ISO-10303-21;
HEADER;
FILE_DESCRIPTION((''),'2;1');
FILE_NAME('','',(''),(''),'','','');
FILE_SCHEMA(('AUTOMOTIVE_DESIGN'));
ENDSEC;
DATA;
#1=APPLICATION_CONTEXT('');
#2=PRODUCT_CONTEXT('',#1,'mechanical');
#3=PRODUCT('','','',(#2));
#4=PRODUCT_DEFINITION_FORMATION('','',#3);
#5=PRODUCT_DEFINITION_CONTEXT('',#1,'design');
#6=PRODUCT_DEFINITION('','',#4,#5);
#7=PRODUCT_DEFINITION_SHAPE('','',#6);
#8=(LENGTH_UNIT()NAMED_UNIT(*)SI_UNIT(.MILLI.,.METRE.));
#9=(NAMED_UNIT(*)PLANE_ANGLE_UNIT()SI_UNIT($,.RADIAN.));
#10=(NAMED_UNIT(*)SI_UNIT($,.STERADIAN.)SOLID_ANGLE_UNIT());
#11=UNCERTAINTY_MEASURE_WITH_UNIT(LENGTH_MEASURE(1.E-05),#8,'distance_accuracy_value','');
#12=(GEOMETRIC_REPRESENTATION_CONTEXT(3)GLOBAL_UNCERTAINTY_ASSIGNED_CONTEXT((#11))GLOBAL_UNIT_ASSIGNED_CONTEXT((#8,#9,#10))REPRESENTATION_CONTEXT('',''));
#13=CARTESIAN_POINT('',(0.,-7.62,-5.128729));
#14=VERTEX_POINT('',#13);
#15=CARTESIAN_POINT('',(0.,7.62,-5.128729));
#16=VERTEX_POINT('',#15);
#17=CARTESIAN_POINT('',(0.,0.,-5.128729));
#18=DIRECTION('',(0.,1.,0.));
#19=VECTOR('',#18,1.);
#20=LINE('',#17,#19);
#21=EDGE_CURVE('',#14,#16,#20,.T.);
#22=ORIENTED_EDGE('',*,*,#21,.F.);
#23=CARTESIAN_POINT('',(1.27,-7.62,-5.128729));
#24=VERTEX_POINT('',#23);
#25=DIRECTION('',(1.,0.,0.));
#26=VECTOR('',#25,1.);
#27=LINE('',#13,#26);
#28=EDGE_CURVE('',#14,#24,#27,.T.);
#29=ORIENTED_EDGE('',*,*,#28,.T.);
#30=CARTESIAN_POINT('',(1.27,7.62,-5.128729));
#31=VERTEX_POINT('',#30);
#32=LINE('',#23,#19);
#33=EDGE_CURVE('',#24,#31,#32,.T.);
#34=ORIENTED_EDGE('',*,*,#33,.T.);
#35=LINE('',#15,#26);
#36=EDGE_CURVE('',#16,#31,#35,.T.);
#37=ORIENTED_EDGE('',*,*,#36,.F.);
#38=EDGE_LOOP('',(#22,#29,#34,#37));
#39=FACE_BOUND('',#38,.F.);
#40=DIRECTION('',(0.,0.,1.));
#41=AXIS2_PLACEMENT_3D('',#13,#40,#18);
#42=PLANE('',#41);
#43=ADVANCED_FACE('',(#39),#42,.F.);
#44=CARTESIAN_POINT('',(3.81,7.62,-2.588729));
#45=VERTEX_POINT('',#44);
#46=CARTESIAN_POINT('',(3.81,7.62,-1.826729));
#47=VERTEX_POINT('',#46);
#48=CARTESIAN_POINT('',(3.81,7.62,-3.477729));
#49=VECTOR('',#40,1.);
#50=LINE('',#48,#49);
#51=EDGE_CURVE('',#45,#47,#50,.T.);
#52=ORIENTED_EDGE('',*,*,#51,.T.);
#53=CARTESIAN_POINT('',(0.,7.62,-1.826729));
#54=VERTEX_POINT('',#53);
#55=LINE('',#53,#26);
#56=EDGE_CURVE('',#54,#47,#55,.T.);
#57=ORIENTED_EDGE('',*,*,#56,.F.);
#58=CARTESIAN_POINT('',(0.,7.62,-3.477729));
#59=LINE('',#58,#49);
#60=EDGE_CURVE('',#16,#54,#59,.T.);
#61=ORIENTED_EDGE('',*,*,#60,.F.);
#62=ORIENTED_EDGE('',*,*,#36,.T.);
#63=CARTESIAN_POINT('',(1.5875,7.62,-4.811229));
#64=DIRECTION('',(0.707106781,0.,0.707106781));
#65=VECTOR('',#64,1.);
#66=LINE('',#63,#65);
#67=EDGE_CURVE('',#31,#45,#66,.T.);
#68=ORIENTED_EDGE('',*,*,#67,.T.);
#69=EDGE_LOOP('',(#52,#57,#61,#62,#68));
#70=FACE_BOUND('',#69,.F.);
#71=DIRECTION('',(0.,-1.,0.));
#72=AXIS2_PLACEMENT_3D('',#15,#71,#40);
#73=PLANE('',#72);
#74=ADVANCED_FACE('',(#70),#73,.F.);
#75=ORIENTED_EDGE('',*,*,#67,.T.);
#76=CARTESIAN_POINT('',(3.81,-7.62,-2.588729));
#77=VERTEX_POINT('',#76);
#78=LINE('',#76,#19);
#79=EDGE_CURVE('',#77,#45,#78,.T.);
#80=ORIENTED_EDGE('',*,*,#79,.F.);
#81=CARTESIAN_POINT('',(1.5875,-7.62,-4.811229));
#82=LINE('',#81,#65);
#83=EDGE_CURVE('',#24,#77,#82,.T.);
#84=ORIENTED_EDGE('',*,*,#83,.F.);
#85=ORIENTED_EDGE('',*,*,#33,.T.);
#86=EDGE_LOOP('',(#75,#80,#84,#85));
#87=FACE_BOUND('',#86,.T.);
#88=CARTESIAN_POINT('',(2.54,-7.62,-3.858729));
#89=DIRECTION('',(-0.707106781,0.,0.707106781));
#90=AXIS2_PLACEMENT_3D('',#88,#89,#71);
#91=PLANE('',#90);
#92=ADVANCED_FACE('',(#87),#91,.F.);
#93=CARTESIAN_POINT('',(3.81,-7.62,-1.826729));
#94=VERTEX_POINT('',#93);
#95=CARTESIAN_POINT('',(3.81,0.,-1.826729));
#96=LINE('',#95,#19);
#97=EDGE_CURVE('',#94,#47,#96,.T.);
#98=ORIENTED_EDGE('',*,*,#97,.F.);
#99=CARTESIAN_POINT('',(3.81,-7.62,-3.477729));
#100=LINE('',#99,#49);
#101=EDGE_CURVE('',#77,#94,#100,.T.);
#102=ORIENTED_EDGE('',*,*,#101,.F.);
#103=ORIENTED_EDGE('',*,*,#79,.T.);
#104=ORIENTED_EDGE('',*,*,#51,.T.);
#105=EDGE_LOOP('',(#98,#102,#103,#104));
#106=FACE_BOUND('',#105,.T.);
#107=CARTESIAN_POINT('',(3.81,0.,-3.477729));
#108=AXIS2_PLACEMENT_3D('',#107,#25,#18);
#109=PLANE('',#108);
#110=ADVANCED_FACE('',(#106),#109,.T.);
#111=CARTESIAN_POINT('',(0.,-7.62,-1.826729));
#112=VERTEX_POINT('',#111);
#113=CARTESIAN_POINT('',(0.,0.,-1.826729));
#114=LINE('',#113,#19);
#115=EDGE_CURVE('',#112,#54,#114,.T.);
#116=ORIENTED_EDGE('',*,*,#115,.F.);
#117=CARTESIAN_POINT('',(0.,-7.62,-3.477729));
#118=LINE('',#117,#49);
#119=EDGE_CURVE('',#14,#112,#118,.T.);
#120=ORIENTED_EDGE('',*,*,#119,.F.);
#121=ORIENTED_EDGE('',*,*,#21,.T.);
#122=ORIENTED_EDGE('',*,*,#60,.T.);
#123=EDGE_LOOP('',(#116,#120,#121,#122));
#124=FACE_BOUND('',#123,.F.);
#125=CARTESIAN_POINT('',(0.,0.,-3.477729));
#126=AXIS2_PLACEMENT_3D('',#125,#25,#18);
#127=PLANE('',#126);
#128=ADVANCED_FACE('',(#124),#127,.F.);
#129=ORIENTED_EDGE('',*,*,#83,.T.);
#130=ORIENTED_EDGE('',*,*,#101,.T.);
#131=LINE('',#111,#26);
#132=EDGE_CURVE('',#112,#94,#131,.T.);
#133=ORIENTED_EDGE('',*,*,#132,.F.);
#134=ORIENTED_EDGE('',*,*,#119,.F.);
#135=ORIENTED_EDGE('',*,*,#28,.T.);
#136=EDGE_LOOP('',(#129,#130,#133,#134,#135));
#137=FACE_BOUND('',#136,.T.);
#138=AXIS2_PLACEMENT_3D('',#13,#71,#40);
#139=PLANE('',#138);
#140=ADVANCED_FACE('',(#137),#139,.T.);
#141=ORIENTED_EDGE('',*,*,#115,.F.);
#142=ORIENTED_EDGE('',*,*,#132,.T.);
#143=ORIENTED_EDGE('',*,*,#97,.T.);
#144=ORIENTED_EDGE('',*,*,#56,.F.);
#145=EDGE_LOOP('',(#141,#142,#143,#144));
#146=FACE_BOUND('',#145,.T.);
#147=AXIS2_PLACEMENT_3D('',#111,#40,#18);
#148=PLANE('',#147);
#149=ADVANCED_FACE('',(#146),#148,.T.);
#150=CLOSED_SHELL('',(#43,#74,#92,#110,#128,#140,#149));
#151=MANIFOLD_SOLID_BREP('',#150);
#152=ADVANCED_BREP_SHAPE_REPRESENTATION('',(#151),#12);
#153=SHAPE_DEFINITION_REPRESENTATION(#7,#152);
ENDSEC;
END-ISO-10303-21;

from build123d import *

# Parameters (mm, degrees)
F0_W     = 15.24
F0_H     = 3.302
F1_DEPTH = 3.81
F2_SIZE  = 2.54


with BuildPart() as f1:
    # F0 (on Right) → F1 (new body)
    with BuildSketch(Plane.YZ):
        with Locations((0, -3.477729)):
            Rectangle(F0_W, F0_H)
    extrude(amount=F1_DEPTH)

    # F2
    f2_edges = [f1.edges().sort_by_distance(p)[0] for p in [
        (3.81, 0, -5.128729),
    ]]
    chamfer(f2_edges, length=F2_SIZE)


solid = f1.part
